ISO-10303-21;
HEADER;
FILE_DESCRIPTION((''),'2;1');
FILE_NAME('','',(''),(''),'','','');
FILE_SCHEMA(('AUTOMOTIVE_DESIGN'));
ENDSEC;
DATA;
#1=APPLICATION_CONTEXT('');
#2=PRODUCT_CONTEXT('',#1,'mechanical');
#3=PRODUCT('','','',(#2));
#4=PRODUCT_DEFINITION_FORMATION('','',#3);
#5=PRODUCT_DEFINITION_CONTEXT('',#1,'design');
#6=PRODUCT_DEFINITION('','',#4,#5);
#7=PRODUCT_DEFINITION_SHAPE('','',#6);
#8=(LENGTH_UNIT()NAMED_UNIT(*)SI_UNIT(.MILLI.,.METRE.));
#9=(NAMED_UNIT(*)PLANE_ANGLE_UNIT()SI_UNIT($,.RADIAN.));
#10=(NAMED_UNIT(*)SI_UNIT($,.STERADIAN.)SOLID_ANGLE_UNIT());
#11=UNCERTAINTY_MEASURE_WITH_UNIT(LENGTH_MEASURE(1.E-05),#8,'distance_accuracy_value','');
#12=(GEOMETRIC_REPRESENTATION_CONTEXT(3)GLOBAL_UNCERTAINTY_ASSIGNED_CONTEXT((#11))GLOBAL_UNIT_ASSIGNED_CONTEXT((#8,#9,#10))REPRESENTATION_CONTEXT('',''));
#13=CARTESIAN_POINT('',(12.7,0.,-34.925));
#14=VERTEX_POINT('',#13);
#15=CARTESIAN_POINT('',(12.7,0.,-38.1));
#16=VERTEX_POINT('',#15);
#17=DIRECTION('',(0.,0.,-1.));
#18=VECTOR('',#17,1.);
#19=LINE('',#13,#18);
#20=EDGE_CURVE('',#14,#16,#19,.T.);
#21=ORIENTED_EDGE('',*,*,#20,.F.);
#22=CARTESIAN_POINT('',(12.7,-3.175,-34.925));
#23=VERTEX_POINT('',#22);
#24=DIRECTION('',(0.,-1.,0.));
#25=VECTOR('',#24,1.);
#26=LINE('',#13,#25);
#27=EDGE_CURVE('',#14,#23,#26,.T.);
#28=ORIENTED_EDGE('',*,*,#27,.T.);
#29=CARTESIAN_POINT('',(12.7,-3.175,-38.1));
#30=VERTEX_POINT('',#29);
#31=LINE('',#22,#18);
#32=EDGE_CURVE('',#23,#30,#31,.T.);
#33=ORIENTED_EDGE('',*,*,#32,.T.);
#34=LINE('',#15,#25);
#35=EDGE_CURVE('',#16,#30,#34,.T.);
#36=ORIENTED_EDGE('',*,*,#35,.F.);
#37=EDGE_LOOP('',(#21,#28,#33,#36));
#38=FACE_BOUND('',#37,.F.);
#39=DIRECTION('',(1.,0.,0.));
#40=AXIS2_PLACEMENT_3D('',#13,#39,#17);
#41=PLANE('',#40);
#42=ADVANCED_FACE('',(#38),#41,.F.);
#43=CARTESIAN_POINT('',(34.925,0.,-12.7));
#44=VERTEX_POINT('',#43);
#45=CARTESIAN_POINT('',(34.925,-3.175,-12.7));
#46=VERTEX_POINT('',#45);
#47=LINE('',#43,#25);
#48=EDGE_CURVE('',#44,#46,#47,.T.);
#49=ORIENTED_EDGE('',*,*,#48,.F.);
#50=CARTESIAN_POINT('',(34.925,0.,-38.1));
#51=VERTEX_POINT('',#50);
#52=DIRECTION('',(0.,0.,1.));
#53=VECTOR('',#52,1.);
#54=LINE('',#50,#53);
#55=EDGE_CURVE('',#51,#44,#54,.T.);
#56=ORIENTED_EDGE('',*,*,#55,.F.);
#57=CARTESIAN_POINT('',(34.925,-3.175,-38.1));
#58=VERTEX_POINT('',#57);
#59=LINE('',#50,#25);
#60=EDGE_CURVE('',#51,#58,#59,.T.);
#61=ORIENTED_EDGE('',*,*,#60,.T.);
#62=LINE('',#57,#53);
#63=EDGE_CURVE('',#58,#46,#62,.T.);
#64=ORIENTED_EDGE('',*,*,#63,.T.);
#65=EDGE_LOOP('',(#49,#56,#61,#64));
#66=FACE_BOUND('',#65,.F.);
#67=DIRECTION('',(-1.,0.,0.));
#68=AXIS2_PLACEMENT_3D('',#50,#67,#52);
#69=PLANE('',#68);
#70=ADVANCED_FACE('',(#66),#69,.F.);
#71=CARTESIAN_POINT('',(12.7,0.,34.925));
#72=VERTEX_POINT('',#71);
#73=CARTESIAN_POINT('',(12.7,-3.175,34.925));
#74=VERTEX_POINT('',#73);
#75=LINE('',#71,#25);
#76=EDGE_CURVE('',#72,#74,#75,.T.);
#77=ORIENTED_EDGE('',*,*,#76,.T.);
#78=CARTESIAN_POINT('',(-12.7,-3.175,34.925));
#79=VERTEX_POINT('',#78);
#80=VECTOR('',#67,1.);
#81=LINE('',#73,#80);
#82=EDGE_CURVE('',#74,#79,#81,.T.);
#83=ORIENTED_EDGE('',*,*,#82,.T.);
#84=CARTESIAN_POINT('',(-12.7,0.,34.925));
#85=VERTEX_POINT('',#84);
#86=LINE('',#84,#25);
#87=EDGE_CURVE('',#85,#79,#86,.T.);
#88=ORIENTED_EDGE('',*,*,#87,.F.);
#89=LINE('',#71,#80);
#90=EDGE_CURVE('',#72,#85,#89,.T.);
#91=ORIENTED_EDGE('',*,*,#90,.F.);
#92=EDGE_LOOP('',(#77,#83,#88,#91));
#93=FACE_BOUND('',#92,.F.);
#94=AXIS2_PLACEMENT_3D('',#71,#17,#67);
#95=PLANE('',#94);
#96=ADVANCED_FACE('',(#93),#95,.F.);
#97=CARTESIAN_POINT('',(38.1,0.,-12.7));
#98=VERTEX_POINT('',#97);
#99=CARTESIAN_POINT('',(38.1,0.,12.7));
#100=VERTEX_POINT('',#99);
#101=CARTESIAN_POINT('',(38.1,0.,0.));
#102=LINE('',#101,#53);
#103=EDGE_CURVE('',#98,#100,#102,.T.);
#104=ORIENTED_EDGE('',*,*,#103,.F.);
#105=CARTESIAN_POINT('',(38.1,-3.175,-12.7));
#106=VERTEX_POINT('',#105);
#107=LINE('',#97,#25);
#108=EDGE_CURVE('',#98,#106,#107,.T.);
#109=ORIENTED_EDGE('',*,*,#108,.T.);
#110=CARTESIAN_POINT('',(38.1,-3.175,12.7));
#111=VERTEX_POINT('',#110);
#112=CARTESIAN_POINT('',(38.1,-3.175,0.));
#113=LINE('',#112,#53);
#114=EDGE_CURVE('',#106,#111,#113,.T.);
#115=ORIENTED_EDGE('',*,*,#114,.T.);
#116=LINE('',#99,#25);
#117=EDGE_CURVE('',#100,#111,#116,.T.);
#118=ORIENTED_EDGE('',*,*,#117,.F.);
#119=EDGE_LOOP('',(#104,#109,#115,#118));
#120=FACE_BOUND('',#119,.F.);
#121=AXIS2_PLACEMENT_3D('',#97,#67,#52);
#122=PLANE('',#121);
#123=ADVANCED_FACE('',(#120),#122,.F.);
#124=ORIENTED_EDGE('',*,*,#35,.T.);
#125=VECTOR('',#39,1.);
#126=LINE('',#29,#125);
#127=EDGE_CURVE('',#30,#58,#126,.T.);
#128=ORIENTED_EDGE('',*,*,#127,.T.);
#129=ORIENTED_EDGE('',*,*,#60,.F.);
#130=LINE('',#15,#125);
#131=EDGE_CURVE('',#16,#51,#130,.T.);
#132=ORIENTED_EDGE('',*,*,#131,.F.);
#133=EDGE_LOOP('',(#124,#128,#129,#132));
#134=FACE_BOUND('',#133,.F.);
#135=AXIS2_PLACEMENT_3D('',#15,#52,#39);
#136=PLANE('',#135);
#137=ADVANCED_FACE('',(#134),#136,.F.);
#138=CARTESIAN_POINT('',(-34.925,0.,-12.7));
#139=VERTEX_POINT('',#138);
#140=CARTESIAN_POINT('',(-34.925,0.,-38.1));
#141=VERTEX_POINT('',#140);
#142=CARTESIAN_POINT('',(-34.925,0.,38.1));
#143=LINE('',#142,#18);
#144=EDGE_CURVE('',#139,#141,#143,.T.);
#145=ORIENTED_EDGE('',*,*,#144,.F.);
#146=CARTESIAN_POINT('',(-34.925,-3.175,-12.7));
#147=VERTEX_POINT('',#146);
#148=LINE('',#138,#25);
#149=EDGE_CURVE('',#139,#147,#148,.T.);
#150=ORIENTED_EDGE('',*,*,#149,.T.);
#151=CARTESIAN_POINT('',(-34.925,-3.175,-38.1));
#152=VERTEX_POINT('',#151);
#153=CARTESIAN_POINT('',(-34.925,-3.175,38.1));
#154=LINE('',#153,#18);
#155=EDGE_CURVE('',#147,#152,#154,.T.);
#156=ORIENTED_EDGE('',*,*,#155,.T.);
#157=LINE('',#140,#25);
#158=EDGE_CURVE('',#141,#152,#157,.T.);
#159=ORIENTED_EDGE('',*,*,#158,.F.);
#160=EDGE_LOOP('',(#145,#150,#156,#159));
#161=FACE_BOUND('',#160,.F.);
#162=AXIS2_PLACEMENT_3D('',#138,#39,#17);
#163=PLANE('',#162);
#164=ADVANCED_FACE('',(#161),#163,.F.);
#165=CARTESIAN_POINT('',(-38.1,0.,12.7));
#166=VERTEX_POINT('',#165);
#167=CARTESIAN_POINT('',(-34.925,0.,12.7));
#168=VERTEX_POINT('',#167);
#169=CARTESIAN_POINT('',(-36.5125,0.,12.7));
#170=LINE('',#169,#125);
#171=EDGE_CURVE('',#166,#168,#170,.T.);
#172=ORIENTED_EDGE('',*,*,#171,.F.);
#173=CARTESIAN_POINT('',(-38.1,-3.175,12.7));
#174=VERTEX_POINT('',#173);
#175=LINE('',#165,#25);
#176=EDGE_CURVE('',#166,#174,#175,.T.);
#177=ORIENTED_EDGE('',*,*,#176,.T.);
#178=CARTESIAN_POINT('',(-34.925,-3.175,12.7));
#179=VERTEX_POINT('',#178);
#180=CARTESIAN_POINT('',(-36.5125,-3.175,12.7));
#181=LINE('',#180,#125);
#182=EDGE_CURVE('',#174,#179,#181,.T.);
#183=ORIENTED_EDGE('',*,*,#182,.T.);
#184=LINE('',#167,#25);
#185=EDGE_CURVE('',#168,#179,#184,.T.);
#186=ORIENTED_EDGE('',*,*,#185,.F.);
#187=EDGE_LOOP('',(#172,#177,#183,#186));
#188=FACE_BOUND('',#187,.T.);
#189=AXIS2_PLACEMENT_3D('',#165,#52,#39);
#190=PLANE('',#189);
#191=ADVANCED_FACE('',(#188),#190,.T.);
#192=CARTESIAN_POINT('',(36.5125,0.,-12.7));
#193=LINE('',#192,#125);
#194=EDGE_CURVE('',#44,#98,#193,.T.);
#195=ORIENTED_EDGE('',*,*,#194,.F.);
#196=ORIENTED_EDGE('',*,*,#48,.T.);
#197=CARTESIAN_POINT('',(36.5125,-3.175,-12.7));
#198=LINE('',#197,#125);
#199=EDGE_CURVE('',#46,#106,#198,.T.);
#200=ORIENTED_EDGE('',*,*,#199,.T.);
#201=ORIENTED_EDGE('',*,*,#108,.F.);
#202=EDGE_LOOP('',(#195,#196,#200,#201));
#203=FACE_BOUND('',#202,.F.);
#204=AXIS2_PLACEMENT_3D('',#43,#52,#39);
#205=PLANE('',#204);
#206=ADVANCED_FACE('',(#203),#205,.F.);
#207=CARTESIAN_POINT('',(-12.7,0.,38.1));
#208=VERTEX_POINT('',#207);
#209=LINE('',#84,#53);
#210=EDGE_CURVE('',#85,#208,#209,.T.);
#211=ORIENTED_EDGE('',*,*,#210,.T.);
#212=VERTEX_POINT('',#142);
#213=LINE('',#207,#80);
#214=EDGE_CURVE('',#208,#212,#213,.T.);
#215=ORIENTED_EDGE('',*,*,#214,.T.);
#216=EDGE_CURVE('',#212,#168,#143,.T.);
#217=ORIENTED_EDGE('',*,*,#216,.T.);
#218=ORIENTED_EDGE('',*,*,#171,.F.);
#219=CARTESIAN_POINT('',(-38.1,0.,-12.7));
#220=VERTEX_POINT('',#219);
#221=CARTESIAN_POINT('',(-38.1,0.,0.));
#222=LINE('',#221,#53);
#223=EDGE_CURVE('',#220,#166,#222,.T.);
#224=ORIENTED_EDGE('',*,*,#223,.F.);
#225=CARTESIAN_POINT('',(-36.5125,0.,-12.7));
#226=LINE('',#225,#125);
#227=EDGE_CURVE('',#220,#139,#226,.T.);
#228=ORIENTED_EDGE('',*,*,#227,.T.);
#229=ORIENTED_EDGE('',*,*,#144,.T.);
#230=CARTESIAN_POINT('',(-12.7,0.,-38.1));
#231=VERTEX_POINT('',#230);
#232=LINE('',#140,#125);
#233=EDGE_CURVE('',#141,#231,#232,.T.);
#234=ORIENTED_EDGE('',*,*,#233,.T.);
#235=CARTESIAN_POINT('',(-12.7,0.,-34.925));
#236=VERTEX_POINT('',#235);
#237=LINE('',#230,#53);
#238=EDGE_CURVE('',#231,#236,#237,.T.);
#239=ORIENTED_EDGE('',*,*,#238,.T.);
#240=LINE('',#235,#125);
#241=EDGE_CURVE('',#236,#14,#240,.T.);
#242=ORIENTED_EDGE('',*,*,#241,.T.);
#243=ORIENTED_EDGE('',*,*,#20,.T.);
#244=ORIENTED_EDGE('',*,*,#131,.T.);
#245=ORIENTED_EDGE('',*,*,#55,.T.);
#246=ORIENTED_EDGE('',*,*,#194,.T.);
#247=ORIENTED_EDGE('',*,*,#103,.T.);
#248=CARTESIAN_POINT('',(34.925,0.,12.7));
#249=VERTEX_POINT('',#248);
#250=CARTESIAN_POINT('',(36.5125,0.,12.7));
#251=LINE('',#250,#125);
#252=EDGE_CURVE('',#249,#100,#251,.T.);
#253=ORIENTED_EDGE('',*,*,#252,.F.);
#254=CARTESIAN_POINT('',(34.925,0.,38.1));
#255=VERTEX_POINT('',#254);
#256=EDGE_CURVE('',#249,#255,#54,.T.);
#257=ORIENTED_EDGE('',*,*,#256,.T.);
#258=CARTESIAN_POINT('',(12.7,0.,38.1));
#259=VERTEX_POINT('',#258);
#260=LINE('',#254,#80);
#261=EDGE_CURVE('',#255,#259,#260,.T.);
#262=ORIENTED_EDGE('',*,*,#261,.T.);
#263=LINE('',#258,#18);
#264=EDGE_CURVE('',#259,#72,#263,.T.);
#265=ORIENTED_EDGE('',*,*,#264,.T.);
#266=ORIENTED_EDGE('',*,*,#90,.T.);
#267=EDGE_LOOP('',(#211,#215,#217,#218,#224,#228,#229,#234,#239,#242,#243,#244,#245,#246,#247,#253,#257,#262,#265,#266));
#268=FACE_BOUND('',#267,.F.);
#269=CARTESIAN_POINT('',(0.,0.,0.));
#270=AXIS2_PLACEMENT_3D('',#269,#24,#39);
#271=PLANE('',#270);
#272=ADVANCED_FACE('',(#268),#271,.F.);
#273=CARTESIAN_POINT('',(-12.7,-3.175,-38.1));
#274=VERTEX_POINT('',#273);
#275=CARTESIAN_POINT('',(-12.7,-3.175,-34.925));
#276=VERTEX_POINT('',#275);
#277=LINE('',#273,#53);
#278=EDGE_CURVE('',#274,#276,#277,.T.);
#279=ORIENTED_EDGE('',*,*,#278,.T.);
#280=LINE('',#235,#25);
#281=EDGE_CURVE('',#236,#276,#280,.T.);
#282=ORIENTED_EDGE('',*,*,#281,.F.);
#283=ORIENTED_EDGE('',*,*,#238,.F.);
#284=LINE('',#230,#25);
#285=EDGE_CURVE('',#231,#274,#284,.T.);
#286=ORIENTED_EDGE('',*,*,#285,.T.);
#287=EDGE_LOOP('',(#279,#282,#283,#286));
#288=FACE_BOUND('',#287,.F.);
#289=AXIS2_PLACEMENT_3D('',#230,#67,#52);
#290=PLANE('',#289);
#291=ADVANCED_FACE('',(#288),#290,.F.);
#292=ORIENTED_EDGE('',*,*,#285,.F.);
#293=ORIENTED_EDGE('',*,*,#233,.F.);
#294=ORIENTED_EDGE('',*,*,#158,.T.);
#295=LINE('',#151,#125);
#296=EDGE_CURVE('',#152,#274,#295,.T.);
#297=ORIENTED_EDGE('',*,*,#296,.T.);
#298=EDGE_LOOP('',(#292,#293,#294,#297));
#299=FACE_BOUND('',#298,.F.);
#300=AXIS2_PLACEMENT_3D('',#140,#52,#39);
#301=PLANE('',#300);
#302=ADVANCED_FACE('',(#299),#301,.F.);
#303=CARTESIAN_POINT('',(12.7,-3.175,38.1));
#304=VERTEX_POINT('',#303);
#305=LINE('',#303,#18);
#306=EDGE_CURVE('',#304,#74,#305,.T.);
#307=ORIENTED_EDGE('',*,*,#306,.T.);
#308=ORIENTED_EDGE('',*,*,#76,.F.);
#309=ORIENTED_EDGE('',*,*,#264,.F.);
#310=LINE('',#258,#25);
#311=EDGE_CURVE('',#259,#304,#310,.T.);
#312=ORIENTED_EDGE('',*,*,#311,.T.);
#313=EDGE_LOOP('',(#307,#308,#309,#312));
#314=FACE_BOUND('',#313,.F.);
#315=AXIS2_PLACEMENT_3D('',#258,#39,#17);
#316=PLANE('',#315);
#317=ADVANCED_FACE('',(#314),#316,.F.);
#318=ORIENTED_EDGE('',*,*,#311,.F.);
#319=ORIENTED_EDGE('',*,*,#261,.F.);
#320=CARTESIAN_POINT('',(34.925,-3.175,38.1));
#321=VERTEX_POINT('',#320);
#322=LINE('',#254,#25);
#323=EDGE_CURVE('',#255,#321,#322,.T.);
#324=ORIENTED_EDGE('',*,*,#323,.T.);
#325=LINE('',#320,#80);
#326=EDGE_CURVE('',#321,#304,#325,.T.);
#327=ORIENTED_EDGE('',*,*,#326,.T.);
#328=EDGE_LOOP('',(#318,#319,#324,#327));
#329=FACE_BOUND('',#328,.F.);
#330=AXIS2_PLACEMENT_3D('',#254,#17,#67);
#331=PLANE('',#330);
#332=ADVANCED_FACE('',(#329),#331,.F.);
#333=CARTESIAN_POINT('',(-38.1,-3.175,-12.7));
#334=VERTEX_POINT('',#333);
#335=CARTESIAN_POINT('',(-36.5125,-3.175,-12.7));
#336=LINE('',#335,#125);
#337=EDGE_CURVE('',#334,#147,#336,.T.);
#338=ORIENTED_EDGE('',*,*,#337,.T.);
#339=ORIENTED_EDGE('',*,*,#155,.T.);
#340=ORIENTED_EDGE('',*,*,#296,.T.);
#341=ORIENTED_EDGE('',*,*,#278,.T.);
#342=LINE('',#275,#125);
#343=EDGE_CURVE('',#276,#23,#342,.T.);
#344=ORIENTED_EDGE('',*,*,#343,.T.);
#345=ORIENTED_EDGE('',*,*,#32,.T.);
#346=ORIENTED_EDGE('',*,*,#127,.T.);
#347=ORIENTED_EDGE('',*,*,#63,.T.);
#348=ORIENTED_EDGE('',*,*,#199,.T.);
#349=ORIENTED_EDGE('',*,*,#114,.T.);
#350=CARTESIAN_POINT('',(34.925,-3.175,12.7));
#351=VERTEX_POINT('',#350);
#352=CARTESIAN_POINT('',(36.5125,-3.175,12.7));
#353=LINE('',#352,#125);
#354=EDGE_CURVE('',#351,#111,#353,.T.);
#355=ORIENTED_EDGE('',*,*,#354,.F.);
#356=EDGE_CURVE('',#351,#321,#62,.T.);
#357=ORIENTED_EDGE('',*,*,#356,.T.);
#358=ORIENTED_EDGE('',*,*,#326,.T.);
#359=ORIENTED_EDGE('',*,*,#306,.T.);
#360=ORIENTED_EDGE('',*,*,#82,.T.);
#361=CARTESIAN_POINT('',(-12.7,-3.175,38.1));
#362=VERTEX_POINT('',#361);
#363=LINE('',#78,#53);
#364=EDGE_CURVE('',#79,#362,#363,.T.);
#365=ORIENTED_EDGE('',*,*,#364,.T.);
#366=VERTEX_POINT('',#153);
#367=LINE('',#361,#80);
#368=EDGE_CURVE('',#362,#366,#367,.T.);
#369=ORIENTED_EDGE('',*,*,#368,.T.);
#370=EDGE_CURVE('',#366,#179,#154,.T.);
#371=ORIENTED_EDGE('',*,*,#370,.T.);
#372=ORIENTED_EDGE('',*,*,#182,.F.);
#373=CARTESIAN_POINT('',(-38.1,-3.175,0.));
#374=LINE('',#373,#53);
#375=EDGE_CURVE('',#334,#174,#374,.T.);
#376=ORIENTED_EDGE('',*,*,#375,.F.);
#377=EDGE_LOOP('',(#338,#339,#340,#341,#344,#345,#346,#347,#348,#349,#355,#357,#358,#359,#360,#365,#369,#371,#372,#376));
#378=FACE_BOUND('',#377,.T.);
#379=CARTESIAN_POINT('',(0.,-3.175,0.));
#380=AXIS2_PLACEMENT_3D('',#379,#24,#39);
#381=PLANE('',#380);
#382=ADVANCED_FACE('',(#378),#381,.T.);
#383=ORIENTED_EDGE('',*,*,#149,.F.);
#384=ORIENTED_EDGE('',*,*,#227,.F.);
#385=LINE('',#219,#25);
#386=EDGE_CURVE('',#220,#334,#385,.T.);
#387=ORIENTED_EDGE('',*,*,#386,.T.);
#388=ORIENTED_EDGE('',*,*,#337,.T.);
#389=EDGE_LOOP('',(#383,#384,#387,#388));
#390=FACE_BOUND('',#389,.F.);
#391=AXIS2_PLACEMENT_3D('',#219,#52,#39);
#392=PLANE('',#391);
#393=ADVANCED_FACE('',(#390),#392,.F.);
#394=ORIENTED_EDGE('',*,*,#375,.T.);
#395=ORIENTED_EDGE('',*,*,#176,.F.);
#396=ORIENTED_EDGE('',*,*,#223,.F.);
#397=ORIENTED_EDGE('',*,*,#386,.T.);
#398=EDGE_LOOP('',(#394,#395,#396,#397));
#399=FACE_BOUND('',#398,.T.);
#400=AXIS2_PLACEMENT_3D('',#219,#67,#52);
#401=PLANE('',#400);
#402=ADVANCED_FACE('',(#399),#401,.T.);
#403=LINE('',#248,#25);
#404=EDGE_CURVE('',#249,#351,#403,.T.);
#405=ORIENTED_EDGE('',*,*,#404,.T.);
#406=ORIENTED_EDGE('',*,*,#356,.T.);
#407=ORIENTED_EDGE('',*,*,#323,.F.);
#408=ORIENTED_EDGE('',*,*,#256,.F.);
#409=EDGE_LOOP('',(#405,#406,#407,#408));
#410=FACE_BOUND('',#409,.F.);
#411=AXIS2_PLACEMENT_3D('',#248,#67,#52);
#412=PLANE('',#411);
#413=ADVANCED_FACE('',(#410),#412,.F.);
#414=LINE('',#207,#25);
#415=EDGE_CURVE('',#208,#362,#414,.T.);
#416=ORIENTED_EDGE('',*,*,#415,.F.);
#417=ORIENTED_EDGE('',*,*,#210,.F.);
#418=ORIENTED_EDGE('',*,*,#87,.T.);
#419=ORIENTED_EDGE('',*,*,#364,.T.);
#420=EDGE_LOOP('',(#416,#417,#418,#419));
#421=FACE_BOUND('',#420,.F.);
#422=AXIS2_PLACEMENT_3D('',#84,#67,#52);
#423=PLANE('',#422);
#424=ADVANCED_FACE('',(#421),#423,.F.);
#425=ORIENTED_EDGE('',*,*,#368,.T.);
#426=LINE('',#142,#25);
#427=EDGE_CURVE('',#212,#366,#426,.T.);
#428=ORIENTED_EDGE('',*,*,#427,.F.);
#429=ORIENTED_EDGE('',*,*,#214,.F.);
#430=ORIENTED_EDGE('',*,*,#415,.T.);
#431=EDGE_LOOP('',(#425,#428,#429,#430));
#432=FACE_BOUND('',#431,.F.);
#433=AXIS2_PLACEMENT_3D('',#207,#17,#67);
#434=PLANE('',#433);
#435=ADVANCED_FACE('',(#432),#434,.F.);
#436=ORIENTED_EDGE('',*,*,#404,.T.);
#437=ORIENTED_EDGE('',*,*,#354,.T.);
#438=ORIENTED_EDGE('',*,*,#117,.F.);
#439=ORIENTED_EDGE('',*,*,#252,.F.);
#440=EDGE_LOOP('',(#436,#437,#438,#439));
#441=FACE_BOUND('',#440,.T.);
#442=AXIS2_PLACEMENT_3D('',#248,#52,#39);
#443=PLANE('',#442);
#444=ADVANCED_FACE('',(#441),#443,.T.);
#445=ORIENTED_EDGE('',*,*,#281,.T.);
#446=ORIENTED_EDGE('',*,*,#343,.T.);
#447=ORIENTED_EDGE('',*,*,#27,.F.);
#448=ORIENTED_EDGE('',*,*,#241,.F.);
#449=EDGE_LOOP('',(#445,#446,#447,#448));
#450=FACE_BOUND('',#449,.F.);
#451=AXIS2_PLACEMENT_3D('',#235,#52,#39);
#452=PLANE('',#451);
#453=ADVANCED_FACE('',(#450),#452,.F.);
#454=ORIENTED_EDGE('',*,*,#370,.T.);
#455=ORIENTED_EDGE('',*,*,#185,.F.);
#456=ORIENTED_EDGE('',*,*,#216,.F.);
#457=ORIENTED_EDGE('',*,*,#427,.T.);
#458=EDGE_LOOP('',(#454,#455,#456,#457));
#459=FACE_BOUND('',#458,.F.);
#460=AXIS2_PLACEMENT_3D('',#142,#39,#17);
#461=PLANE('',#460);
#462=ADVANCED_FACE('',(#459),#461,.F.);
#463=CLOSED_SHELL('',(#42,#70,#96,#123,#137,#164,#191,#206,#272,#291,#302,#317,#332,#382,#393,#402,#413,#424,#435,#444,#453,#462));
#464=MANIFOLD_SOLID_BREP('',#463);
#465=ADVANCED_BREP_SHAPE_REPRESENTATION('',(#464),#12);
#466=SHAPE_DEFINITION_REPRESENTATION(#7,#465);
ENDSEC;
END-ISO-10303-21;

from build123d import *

# Parameters (mm, degrees)
F0_W     = 3.175
F0_H     = 25.4
F1_DEPTH = 3.175


with BuildPart() as f1:
    # F0 (on Front) → F1 (new body)
    with BuildSketch(Plane.XZ):
        Polygon((12.7, -38.1), (34.925, -38.1), (34.925, -12.7), (34.925, 12.7), (34.925, 38.1), (12.7, 38.1), (12.7, 34.925), (-12.7, 34.925), (-12.7, 38.1), (-34.925, 38.1), (-34.925, 12.7), (-34.925, -12.7), (-34.925, -38.1), (-12.7, -38.1), (-12.7, -34.925), (12.7, -34.925), align=None)
        with Locations((-36.5125, 0)):
            Rectangle(F0_W, F0_H)
        with Locations((36.5125, 0)):
            Rectangle(F0_W, F0_H)
    extrude(amount=F1_DEPTH)


solid = f1.part
